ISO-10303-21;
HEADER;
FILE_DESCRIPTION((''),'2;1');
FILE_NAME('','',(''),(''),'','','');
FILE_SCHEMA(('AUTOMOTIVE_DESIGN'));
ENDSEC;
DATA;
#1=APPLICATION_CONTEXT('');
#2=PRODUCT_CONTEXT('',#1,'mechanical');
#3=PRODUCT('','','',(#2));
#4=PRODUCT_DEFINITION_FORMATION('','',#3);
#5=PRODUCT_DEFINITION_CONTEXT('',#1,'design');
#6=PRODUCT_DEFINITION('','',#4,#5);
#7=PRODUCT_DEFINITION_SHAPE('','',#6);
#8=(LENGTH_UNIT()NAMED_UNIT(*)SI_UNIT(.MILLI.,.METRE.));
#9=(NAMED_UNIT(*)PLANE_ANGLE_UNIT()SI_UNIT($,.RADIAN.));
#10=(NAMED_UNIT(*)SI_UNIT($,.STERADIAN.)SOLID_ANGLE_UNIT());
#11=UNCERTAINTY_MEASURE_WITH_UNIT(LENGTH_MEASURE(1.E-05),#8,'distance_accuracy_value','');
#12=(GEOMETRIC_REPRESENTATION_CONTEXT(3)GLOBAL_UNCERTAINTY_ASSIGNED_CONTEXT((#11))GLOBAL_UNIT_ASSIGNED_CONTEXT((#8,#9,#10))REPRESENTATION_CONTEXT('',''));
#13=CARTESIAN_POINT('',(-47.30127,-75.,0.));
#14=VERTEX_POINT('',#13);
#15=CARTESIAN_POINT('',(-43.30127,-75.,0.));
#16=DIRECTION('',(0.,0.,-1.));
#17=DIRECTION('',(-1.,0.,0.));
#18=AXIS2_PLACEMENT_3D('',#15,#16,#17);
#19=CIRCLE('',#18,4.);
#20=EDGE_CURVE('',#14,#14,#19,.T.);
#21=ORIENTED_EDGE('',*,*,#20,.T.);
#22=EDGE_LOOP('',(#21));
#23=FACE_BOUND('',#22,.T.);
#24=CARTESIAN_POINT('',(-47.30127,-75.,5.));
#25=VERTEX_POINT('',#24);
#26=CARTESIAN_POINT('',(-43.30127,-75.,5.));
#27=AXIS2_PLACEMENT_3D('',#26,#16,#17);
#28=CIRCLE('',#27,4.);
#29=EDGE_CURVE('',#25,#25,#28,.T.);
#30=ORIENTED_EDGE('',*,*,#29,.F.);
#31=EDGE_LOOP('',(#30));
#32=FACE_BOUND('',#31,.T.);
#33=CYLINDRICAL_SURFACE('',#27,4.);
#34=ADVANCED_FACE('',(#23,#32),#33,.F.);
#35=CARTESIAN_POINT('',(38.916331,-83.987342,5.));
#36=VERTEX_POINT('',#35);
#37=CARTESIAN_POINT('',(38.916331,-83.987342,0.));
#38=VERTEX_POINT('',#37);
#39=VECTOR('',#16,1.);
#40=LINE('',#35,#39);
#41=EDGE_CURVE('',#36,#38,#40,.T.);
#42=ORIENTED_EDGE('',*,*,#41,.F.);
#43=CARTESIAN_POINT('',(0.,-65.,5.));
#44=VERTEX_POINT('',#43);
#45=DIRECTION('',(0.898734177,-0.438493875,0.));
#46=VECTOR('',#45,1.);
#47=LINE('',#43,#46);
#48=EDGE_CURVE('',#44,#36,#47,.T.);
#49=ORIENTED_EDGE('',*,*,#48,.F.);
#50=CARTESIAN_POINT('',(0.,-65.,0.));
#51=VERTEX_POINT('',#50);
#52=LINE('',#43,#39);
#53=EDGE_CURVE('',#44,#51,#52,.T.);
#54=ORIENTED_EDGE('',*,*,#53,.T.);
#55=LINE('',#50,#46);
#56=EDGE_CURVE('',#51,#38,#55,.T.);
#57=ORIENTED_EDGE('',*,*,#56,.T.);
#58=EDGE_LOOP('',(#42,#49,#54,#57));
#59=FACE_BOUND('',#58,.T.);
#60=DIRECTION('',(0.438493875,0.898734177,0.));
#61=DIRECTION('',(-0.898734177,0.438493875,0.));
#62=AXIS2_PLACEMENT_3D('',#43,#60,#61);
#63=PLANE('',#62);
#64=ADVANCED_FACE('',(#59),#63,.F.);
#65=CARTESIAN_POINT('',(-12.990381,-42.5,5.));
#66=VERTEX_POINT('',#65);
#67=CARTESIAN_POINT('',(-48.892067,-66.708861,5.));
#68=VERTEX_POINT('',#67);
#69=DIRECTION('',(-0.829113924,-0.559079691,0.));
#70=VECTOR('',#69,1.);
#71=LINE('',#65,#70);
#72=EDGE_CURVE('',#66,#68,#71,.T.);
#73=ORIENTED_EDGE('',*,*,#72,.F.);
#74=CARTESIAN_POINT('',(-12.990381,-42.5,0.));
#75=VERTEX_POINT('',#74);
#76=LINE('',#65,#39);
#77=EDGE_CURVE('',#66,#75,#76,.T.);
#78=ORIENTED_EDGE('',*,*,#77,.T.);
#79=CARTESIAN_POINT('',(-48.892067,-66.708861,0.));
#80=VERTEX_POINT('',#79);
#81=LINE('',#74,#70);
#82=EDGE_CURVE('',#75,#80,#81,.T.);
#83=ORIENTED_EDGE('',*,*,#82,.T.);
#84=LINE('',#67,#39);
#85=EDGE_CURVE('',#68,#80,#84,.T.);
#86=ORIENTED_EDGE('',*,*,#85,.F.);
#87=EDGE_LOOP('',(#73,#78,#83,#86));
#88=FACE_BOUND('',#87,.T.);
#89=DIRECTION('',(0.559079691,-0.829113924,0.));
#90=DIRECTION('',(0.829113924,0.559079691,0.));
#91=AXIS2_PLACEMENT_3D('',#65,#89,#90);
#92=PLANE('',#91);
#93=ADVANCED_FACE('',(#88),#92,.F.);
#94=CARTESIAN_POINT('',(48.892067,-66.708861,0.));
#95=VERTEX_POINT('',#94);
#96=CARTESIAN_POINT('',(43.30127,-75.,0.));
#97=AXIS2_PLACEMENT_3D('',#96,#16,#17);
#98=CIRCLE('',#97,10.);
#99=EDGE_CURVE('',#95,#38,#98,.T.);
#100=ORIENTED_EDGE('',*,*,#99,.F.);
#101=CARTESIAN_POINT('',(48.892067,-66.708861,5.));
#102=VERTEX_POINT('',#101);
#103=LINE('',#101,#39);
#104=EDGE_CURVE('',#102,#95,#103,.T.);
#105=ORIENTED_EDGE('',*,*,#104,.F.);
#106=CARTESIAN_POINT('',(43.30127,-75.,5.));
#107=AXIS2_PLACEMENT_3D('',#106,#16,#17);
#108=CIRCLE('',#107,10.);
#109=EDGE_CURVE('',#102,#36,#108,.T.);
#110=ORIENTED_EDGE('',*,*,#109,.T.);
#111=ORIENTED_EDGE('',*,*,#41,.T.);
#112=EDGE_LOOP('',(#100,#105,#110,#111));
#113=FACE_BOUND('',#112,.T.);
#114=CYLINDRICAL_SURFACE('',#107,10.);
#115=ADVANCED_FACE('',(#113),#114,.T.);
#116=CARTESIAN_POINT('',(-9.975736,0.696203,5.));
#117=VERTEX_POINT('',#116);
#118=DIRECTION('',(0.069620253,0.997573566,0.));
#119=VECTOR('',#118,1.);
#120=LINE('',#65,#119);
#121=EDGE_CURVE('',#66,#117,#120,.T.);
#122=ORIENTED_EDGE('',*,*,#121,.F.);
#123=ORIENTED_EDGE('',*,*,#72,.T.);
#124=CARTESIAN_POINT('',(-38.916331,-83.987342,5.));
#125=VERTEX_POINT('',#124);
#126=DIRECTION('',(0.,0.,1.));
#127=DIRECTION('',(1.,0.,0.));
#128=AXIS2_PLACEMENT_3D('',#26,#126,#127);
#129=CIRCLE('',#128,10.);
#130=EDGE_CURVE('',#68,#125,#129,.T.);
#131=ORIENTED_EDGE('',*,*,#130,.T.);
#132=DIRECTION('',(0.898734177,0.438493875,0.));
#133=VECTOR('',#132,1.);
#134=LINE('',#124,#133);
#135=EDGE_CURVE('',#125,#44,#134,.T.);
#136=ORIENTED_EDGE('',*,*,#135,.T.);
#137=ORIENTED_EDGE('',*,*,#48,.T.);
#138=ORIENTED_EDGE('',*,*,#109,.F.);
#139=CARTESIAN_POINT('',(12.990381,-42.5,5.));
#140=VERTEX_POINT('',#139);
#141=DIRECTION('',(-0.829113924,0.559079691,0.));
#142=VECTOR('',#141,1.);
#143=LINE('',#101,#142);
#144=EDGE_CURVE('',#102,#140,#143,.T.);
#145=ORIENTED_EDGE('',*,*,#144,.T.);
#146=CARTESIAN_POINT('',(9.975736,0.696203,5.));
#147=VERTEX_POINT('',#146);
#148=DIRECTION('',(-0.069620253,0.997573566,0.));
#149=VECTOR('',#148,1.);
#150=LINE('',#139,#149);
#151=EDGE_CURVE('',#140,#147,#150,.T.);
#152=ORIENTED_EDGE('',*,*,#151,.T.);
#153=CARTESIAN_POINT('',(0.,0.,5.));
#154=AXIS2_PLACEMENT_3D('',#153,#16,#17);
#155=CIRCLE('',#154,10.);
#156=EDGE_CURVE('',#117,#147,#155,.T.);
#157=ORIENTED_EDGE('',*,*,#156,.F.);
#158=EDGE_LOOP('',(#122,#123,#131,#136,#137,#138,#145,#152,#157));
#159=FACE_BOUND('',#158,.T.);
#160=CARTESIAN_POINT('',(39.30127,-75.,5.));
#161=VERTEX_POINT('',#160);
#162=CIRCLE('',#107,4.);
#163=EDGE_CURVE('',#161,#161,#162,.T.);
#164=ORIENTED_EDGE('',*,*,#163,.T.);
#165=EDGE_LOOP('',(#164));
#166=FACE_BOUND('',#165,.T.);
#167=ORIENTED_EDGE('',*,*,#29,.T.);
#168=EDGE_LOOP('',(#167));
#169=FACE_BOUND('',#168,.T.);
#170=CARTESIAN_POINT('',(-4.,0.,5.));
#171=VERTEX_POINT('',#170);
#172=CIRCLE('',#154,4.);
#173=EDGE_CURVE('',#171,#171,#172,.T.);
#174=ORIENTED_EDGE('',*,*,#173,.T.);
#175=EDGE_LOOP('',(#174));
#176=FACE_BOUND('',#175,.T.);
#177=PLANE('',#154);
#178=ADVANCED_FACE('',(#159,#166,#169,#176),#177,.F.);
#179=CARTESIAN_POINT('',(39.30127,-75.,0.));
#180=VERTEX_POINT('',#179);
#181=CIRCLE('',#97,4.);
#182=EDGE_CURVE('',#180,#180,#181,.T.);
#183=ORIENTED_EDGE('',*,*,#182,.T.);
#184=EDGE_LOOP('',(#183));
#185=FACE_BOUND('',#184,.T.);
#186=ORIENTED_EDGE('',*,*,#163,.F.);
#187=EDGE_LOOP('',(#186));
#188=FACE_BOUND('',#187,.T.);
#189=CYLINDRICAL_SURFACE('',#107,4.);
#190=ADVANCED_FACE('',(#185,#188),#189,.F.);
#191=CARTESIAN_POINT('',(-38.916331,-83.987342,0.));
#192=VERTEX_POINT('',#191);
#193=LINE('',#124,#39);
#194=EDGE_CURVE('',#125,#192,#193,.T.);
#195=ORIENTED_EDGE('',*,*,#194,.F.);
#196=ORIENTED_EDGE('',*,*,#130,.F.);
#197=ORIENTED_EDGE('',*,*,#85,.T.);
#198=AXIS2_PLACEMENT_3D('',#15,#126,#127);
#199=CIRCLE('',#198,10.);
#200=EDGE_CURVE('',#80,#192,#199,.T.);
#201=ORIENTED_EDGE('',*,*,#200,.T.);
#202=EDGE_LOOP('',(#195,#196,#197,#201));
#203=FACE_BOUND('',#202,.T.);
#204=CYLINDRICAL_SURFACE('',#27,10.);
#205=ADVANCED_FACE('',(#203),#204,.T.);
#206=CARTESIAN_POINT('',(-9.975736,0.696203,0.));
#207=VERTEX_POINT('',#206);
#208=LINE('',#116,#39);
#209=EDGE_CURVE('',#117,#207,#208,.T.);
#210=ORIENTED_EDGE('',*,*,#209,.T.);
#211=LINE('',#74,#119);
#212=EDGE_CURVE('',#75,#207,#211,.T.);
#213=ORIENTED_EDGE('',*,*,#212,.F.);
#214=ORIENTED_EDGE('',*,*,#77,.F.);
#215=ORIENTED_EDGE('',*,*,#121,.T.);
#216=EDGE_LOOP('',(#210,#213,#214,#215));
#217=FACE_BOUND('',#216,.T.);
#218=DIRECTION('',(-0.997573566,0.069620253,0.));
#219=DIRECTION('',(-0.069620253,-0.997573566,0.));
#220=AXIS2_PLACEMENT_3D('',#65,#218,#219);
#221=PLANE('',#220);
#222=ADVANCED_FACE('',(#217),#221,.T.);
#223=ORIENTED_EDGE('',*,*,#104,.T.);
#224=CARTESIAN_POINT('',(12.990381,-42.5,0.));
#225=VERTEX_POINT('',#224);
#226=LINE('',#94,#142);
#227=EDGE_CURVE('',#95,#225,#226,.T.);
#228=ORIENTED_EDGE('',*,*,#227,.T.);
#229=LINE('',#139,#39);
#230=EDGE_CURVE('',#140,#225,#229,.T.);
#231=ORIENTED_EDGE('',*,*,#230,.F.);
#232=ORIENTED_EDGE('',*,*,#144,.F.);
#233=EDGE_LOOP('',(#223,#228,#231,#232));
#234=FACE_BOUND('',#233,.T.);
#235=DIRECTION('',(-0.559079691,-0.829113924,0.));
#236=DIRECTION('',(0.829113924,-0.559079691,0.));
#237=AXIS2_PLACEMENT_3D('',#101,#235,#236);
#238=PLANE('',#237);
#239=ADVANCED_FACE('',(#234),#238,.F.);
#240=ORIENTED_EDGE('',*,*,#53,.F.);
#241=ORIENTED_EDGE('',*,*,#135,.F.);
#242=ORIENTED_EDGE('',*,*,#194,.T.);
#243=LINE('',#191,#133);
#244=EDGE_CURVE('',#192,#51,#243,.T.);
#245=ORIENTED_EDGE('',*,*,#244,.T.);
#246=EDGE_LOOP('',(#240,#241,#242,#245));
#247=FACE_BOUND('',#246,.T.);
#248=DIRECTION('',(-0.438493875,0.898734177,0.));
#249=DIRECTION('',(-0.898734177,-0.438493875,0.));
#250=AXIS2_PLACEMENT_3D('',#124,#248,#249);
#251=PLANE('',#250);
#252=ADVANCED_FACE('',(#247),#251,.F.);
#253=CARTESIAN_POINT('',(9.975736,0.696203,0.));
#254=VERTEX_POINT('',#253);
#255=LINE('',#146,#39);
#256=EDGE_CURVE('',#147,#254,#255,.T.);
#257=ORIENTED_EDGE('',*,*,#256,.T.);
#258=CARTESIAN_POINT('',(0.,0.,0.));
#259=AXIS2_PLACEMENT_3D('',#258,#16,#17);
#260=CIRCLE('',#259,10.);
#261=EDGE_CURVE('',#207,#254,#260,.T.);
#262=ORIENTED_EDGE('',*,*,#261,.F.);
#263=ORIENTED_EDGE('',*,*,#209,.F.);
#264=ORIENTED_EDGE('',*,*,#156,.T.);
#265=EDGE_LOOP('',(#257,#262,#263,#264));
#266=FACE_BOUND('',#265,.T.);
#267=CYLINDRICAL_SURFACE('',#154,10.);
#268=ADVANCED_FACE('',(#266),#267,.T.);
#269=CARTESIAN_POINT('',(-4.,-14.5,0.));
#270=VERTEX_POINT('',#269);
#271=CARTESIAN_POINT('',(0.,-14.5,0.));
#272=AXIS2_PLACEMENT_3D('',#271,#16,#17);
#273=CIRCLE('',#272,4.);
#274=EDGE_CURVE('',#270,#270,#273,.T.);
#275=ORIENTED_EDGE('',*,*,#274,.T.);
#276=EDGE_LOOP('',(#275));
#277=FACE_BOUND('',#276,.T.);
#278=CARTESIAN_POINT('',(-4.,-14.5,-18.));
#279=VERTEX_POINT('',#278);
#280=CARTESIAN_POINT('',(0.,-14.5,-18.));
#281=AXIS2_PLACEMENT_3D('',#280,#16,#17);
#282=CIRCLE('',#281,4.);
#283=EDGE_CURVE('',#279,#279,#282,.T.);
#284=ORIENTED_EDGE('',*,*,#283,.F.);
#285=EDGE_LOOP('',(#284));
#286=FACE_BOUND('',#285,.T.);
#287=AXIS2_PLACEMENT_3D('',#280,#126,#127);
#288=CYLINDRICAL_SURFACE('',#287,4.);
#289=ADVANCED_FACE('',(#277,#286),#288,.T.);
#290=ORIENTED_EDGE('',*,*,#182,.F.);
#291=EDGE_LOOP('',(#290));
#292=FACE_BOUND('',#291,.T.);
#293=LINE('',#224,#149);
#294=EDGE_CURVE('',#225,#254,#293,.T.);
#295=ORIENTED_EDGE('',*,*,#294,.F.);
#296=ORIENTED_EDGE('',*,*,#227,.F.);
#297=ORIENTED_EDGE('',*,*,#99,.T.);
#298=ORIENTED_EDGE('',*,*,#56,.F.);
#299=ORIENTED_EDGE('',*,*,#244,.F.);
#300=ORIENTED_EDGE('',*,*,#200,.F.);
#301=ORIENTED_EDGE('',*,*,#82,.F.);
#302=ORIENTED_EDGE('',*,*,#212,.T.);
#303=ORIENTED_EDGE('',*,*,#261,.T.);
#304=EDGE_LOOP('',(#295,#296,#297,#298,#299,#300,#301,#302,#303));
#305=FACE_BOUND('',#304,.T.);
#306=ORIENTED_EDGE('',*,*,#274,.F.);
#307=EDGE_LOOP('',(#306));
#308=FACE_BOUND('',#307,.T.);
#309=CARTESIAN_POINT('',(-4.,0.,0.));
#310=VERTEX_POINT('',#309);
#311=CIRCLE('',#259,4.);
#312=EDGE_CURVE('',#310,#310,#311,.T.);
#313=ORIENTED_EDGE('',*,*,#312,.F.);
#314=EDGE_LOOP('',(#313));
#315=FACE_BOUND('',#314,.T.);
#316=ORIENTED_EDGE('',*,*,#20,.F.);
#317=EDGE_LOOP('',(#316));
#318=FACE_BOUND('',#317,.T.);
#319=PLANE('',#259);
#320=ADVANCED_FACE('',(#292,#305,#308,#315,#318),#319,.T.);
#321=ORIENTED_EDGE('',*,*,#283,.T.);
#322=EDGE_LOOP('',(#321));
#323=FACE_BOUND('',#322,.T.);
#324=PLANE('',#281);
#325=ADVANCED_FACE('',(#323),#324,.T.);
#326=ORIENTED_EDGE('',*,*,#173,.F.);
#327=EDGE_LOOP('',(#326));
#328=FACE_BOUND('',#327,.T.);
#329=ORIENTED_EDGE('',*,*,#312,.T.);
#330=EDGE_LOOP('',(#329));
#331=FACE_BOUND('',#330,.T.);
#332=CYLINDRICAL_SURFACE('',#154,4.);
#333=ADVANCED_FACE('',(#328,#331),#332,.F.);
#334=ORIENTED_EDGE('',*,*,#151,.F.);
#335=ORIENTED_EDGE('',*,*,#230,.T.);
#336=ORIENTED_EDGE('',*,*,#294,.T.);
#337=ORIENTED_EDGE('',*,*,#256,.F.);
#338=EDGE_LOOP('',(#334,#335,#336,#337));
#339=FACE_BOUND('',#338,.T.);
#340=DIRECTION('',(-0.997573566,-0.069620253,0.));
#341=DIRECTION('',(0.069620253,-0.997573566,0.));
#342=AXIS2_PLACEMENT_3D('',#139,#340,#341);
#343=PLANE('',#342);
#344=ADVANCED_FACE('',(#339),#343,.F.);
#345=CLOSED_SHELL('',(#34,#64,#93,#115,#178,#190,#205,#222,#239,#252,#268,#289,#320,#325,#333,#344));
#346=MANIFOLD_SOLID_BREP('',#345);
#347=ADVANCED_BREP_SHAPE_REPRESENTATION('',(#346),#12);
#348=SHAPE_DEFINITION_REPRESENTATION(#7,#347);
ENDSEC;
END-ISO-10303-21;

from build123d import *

# Parameters (mm, degrees)
BOSS_EXTRUDE1_DEPTH = 5
SKETCH3_R           = 4
CUT_EXTRUDE1_DEPTH  = 5
SKETCH4_R           = 4
PEG_DEPTH           = 18


with BuildPart() as part:
    # Sketch1 → Boss-Extrude1 (new body)
    with BuildSketch(Plane.XY):
        with BuildLine():
            Line((-38.916331436, -83.987341772), (0, -65))
            Line((0, -65), (38.916331436, -83.987341772))
            ThreePointArc((38.916331436, -83.987341772), (51.961524227, -80), (48.8920671, -66.708860759))
            Line((48.8920671, -66.708860759), (12.990381057, -42.5))
            Line((12.990381057, -42.5), (9.975735664, 0.696202532))
            ThreePointArc((9.975735664, 0.696202532), (0, 10), (-9.975735664, 0.696202532))
            Line((-9.975735664, 0.696202532), (-12.990381057, -42.5))
            Line((-12.990381057, -42.5), (-48.8920671, -66.708860759))
            ThreePointArc((-48.8920671, -66.708860759), (-51.961524227, -80), (-38.916331436, -83.987341772))
        make_face()
    extrude(amount=BOSS_EXTRUDE1_DEPTH)

    # Sketch3 → Cut-Extrude1 (cut)
    with BuildSketch(Plane(origin=(0, 0, 0), x_dir=(-1, 0, 0), z_dir=(0, 0, -1))):
        with Locations((0, 30)):
            Circle(SKETCH3_R)
        Circle(SKETCH3_R)
        with Locations((-43.301270189, -75)):
            Circle(SKETCH3_R)
        with Locations((43.301270189, -75)):
            Circle(SKETCH3_R)
    extrude(amount=-CUT_EXTRUDE1_DEPTH, mode=Mode.SUBTRACT)

    # Sketch4 → peg (add)
    with BuildSketch(Plane(origin=(0, 0, 0), x_dir=(-1, 0, 0), z_dir=(0, 0, -1))):
        with Locations((0, -14.5)):
            Circle(SKETCH4_R)
    extrude(amount=PEG_DEPTH)


solid = part.part
